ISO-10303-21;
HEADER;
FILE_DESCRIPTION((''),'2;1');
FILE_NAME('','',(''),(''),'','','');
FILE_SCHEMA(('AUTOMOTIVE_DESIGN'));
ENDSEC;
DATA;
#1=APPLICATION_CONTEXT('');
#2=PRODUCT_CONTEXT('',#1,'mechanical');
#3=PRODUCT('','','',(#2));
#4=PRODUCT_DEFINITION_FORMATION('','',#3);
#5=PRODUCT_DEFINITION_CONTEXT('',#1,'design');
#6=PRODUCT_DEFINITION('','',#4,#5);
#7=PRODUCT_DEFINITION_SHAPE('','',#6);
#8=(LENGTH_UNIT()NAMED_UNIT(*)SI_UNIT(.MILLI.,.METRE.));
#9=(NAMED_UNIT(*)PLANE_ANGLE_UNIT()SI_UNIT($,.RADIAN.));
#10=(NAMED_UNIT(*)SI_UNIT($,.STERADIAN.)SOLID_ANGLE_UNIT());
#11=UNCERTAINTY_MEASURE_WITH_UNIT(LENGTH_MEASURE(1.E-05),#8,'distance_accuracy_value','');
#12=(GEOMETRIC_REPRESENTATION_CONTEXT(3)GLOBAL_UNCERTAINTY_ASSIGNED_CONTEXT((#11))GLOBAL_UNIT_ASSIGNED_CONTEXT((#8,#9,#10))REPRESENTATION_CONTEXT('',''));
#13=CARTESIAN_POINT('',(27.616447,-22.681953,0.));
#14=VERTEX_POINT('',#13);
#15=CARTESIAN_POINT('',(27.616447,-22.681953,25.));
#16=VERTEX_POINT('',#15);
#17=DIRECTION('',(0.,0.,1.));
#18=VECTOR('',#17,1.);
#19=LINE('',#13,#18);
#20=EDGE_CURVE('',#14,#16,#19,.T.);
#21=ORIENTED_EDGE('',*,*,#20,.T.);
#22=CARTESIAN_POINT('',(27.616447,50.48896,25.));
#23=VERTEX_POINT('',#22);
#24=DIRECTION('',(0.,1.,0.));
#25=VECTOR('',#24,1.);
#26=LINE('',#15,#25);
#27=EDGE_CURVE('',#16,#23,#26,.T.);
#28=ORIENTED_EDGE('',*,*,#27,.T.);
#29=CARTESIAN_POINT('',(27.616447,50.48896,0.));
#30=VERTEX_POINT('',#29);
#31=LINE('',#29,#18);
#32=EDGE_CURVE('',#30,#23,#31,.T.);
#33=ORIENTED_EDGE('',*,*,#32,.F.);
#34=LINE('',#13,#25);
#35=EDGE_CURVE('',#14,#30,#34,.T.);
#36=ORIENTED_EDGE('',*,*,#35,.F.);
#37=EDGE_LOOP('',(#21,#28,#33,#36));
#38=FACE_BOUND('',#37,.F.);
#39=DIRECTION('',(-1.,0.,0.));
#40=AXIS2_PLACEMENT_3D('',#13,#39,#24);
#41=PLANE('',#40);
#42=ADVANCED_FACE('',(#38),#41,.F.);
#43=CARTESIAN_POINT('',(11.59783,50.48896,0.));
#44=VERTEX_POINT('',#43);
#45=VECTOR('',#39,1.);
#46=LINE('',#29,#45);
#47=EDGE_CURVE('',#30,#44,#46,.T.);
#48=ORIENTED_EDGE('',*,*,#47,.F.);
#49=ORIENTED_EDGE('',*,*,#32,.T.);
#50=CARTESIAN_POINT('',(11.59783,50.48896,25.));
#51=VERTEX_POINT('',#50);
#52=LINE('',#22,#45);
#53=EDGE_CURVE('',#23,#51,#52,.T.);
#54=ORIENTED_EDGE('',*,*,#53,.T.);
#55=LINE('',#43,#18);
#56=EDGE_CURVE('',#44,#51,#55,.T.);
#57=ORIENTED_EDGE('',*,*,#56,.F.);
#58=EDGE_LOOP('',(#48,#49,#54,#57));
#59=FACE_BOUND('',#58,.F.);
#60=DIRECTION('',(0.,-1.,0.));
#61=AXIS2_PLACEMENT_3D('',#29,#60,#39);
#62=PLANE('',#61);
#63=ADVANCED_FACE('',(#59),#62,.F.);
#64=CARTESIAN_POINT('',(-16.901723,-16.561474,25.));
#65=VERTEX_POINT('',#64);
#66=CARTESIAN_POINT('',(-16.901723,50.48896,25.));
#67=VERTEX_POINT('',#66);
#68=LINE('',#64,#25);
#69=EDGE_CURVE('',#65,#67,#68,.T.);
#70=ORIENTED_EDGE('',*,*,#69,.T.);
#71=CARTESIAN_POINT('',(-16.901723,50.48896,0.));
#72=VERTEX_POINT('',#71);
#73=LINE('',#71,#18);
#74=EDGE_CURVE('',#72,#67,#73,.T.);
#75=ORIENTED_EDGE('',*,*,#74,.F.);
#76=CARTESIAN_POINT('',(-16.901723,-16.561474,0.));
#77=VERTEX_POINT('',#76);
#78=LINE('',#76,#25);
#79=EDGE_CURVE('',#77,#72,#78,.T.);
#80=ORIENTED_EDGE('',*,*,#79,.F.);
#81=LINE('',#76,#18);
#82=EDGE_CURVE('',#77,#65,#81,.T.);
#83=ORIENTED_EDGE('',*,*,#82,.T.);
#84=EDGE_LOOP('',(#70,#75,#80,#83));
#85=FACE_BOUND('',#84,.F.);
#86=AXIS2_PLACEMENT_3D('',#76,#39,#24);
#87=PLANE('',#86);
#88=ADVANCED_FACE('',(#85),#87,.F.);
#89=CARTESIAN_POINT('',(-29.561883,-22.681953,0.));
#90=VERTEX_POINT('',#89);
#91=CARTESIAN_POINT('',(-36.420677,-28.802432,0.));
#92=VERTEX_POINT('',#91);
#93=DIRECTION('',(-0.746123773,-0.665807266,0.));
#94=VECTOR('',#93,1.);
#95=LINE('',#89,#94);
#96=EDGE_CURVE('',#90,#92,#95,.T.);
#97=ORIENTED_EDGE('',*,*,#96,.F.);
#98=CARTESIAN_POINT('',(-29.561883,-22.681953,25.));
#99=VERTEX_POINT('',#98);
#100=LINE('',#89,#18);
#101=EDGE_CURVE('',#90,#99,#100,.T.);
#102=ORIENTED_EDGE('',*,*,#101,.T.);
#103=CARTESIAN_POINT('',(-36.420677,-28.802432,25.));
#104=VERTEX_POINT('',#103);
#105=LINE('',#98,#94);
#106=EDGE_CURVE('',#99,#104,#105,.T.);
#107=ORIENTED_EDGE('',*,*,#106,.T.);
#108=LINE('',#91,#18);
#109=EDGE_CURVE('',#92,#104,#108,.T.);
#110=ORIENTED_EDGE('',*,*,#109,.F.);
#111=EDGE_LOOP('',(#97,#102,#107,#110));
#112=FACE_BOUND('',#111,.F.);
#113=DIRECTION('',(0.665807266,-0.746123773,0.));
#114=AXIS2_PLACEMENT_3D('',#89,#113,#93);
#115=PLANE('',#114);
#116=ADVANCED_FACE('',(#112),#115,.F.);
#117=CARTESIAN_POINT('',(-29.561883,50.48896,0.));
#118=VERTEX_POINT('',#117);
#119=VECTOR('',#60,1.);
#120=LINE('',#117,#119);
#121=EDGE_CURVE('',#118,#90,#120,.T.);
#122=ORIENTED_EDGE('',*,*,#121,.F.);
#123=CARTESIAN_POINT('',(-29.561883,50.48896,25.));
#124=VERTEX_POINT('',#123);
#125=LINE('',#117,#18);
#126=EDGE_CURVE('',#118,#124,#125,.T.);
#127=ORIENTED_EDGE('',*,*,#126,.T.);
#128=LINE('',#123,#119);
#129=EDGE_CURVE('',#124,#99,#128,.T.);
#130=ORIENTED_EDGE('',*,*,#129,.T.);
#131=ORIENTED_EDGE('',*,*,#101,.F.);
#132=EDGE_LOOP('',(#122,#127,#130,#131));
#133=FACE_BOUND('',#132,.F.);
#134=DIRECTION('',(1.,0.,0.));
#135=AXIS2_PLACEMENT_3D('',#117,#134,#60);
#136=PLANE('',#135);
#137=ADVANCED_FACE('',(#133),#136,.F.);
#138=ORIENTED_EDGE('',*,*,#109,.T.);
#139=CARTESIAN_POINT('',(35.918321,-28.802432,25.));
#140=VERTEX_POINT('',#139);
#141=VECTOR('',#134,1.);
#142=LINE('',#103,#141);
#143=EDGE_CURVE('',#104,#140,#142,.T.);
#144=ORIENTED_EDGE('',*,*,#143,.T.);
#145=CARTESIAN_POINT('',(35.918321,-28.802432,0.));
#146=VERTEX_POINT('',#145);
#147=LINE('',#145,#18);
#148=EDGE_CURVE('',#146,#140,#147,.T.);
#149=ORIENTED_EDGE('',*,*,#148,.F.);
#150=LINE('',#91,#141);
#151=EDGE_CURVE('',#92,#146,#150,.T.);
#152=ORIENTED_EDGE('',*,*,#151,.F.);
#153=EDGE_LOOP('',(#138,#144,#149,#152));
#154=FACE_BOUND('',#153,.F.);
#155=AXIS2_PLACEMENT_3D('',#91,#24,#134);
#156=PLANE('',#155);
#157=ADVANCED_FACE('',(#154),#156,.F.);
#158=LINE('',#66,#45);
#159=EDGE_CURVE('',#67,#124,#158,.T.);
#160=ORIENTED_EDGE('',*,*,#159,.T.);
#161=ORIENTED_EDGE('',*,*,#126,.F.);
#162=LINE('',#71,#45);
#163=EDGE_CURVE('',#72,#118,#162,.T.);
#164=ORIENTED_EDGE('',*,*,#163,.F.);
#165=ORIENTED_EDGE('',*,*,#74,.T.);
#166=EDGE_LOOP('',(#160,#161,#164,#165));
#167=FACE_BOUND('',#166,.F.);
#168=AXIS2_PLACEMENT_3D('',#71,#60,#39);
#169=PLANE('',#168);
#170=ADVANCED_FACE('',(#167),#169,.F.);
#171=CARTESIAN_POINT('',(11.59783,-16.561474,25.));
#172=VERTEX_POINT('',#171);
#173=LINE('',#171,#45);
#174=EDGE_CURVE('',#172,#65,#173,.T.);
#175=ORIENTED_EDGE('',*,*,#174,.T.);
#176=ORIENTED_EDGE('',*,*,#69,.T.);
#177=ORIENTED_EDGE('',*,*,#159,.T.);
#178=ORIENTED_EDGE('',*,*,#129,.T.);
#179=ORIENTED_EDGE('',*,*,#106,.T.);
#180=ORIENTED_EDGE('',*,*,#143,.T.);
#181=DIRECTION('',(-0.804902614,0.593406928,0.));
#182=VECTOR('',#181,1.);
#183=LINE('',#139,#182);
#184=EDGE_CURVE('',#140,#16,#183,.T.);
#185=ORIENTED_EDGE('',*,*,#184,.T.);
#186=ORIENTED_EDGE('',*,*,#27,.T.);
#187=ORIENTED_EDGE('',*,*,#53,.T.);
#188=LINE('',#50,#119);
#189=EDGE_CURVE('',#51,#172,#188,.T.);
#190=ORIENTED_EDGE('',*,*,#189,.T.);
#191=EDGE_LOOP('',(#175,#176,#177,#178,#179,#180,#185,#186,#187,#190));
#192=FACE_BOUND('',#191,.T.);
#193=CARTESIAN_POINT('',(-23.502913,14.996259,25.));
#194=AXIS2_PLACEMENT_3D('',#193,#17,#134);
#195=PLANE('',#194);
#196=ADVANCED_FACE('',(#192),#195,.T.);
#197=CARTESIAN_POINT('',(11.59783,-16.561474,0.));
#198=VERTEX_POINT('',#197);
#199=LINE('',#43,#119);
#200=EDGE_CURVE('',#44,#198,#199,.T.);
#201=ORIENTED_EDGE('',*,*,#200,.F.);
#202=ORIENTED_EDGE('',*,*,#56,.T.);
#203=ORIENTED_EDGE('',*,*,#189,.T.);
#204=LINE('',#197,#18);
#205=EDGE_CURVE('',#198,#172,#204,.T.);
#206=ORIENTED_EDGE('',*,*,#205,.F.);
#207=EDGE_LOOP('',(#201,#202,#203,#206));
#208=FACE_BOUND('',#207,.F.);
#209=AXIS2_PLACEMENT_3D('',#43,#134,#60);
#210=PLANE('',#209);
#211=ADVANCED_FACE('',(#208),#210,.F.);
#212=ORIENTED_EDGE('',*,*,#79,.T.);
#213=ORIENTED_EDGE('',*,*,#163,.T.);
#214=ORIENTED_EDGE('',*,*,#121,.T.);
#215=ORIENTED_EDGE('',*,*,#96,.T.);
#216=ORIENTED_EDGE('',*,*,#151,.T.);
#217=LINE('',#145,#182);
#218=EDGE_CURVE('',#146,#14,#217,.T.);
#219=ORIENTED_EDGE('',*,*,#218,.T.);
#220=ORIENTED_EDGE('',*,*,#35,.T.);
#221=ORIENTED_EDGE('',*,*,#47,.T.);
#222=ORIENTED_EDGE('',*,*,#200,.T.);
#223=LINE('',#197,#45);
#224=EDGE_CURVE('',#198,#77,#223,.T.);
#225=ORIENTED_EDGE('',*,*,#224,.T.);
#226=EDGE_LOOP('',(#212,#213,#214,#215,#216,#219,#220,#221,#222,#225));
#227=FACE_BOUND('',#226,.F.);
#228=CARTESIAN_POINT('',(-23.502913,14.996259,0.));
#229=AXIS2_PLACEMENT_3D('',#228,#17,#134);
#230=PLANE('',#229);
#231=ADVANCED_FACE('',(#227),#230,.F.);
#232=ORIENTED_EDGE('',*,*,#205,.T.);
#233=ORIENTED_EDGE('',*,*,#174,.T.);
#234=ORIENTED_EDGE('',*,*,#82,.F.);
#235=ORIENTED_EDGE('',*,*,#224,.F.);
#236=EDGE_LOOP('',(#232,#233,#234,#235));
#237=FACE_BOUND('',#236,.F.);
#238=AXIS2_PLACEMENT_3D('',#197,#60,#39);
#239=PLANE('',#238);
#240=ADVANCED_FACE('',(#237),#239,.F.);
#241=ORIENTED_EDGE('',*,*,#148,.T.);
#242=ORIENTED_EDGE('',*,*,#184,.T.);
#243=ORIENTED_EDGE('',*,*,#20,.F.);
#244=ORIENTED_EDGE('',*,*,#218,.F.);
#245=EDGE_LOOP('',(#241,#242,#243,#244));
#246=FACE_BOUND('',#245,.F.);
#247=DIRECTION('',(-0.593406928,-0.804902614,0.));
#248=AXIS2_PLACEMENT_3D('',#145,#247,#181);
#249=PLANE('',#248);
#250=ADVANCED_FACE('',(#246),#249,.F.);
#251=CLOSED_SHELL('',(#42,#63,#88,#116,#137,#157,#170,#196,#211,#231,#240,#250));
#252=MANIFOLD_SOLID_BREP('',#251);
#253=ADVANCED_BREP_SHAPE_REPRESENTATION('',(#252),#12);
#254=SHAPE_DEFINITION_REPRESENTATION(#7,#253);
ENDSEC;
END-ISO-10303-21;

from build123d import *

# Parameters (mm, degrees)
F1_DEPTH = 25


with BuildPart() as f1:
    # F0 (on Top) → F1 (new body)
    with BuildSketch(Plane.XY):
        Polygon((-22.703089, -16.561474), (-16.901723, -16.561474), (-16.901723, 50.48896), (-29.561883, 50.48896), (-29.561883, -22.681953), align=None)
        Polygon((11.59783, -16.561474), (19.314572, -16.561474), (27.616447, -22.681953), (27.616447, 50.48896), (11.59783, 50.48896), align=None)
        Polygon((19.314572, -28.802432), (19.314572, -16.561474), (11.59783, -16.561474), (-16.901723, -16.561474), (-22.703089, -16.561474), (-22.703089, -28.802432), align=None)
        Polygon((-36.420677, -28.802432), (-22.703089, -28.802432), (-22.703089, -16.561474), (-29.561883, -22.681953), align=None)
        Polygon((27.616447, -22.681953), (19.314572, -16.561474), (19.314572, -28.802432), (35.918321, -28.802432), align=None)
    extrude(amount=F1_DEPTH)


solid = f1.part
